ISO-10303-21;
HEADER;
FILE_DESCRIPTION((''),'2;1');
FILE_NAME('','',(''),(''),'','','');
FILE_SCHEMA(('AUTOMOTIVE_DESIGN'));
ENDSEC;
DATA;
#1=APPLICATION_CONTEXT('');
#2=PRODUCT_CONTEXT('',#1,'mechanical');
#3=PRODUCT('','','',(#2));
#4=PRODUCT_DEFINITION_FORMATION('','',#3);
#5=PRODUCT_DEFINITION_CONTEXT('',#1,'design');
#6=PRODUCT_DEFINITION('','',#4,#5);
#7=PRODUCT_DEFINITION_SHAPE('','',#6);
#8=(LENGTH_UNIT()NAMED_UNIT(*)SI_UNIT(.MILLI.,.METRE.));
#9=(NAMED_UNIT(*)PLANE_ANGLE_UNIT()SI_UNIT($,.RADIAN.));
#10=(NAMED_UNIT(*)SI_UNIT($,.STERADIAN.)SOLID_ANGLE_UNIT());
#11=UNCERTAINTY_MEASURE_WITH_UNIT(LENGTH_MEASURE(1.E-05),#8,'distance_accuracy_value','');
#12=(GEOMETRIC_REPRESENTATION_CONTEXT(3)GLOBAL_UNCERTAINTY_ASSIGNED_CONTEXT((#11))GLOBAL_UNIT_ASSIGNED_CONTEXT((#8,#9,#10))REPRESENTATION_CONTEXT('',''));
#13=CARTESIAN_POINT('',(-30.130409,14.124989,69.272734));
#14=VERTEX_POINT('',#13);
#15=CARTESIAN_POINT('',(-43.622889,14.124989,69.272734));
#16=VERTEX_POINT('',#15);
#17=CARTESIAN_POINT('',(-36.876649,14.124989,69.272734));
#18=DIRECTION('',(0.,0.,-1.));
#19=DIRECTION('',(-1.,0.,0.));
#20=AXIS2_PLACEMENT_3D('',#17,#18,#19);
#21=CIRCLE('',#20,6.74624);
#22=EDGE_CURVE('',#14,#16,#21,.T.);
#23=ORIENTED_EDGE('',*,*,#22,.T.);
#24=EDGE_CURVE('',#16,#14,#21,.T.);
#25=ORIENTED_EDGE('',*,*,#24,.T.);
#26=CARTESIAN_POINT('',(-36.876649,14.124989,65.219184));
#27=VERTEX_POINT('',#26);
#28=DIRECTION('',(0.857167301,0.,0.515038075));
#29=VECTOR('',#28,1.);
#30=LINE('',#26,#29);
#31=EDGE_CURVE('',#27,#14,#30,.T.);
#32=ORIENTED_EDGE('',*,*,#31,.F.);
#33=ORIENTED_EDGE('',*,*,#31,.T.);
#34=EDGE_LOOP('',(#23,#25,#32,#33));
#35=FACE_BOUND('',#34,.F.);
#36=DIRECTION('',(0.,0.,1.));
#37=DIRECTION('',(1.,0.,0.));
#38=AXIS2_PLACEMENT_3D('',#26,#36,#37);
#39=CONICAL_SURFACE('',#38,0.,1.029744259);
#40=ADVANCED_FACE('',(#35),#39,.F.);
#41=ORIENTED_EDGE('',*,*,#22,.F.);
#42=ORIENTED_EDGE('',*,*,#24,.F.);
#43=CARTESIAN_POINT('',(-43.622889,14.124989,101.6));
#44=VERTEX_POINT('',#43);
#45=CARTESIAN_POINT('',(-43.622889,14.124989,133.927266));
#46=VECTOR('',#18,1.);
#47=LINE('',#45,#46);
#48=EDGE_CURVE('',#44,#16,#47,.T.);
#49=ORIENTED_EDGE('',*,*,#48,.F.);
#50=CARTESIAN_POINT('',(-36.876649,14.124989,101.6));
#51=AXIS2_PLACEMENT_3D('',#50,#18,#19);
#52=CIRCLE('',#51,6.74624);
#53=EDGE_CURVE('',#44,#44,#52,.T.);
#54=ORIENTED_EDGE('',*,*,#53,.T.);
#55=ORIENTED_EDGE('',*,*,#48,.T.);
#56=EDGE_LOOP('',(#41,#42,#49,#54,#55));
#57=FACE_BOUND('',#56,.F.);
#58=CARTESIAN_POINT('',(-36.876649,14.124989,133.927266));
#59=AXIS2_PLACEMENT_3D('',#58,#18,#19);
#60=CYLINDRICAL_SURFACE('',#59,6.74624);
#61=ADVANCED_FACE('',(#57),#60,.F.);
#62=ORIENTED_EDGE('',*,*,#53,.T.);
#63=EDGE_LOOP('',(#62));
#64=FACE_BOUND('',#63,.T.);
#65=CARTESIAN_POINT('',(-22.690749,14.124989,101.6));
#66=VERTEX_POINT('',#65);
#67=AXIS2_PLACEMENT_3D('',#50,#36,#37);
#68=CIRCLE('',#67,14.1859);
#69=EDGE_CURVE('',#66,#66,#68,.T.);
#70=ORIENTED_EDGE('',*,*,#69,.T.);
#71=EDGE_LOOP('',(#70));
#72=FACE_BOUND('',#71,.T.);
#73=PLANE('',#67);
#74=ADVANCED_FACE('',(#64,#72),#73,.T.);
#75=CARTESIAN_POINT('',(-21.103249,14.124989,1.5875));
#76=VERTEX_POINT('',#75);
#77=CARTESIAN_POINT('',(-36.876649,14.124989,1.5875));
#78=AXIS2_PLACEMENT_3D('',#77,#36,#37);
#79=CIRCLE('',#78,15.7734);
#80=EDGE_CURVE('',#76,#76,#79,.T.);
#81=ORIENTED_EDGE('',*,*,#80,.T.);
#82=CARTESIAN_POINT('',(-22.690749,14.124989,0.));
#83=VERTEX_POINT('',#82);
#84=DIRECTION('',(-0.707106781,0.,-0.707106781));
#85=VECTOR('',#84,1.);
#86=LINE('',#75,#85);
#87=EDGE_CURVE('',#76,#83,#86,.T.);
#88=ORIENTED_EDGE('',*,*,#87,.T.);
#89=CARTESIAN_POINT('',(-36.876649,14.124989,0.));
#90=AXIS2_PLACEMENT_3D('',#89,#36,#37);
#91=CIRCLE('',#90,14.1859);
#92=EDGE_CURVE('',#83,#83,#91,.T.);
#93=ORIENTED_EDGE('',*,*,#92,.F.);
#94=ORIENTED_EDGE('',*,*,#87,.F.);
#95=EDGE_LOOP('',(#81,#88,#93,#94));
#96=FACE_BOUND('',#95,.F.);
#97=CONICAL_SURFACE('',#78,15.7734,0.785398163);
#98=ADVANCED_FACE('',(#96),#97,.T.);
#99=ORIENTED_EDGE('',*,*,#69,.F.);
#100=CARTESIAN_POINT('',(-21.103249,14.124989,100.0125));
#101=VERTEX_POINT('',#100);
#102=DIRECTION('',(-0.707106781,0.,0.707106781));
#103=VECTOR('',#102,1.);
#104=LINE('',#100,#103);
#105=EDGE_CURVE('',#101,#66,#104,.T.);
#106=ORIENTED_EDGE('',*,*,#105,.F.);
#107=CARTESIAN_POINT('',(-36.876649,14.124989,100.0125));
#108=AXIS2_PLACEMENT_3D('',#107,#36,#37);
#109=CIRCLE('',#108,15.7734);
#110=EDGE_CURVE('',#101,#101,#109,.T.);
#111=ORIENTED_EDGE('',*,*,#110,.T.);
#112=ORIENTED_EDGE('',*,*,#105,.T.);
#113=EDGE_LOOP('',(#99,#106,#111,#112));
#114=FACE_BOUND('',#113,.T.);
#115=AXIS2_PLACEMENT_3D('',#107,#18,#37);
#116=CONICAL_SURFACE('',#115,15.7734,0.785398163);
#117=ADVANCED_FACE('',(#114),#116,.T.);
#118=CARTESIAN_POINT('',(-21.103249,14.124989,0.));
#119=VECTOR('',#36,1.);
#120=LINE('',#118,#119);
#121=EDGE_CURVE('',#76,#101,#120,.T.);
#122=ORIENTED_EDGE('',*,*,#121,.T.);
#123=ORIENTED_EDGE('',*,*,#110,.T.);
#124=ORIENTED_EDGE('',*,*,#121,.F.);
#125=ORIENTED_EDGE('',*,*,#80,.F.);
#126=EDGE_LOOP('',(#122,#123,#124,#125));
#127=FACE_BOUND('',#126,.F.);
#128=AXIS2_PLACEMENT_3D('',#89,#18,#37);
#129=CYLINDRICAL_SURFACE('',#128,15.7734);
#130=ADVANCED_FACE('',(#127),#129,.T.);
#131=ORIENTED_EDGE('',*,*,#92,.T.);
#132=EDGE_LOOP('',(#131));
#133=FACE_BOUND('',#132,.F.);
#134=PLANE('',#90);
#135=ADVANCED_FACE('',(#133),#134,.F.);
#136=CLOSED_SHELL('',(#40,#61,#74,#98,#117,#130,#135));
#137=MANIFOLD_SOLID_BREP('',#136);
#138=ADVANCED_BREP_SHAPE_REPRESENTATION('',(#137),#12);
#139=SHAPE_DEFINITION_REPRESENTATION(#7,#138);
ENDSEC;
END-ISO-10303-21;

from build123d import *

# Parameters (mm, degrees)
F0_R     = 15.7734
F1_DEPTH = 101.6
F3_D     = 13.49248
F3_DEPTH = 32.3272658
F3_TIP   = 4.0535499425
F4_SIZE  = 1.5875


with BuildPart() as f1:
    # F0 (on Top) → F1 (new body)
    with BuildSketch(Plane.XY):
        with Locations((-36.8766486645, 14.1249885783)):
            Circle(F0_R)
    extrude(amount=F1_DEPTH)

    # F3
    with Locations(Plane.XY.offset(101.6)):
        with Locations((-36.8766486645, 14.1249885783)):
            Hole(F3_D / 2, depth=F3_DEPTH)
            with Locations((0, 0, -(F3_DEPTH + F3_TIP / 2))):  # 118° drill point
                Cone(0, F3_D / 2, F3_TIP, mode=Mode.SUBTRACT)

    # F4
    f4_edges = [f1.edges().sort_by_distance(p)[0] for p in [
        (-52.650049, 14.124989, 0),
        (-52.650049, 14.124989, 101.6),
    ]]
    chamfer(f4_edges, length=F4_SIZE)


solid = f1.part
